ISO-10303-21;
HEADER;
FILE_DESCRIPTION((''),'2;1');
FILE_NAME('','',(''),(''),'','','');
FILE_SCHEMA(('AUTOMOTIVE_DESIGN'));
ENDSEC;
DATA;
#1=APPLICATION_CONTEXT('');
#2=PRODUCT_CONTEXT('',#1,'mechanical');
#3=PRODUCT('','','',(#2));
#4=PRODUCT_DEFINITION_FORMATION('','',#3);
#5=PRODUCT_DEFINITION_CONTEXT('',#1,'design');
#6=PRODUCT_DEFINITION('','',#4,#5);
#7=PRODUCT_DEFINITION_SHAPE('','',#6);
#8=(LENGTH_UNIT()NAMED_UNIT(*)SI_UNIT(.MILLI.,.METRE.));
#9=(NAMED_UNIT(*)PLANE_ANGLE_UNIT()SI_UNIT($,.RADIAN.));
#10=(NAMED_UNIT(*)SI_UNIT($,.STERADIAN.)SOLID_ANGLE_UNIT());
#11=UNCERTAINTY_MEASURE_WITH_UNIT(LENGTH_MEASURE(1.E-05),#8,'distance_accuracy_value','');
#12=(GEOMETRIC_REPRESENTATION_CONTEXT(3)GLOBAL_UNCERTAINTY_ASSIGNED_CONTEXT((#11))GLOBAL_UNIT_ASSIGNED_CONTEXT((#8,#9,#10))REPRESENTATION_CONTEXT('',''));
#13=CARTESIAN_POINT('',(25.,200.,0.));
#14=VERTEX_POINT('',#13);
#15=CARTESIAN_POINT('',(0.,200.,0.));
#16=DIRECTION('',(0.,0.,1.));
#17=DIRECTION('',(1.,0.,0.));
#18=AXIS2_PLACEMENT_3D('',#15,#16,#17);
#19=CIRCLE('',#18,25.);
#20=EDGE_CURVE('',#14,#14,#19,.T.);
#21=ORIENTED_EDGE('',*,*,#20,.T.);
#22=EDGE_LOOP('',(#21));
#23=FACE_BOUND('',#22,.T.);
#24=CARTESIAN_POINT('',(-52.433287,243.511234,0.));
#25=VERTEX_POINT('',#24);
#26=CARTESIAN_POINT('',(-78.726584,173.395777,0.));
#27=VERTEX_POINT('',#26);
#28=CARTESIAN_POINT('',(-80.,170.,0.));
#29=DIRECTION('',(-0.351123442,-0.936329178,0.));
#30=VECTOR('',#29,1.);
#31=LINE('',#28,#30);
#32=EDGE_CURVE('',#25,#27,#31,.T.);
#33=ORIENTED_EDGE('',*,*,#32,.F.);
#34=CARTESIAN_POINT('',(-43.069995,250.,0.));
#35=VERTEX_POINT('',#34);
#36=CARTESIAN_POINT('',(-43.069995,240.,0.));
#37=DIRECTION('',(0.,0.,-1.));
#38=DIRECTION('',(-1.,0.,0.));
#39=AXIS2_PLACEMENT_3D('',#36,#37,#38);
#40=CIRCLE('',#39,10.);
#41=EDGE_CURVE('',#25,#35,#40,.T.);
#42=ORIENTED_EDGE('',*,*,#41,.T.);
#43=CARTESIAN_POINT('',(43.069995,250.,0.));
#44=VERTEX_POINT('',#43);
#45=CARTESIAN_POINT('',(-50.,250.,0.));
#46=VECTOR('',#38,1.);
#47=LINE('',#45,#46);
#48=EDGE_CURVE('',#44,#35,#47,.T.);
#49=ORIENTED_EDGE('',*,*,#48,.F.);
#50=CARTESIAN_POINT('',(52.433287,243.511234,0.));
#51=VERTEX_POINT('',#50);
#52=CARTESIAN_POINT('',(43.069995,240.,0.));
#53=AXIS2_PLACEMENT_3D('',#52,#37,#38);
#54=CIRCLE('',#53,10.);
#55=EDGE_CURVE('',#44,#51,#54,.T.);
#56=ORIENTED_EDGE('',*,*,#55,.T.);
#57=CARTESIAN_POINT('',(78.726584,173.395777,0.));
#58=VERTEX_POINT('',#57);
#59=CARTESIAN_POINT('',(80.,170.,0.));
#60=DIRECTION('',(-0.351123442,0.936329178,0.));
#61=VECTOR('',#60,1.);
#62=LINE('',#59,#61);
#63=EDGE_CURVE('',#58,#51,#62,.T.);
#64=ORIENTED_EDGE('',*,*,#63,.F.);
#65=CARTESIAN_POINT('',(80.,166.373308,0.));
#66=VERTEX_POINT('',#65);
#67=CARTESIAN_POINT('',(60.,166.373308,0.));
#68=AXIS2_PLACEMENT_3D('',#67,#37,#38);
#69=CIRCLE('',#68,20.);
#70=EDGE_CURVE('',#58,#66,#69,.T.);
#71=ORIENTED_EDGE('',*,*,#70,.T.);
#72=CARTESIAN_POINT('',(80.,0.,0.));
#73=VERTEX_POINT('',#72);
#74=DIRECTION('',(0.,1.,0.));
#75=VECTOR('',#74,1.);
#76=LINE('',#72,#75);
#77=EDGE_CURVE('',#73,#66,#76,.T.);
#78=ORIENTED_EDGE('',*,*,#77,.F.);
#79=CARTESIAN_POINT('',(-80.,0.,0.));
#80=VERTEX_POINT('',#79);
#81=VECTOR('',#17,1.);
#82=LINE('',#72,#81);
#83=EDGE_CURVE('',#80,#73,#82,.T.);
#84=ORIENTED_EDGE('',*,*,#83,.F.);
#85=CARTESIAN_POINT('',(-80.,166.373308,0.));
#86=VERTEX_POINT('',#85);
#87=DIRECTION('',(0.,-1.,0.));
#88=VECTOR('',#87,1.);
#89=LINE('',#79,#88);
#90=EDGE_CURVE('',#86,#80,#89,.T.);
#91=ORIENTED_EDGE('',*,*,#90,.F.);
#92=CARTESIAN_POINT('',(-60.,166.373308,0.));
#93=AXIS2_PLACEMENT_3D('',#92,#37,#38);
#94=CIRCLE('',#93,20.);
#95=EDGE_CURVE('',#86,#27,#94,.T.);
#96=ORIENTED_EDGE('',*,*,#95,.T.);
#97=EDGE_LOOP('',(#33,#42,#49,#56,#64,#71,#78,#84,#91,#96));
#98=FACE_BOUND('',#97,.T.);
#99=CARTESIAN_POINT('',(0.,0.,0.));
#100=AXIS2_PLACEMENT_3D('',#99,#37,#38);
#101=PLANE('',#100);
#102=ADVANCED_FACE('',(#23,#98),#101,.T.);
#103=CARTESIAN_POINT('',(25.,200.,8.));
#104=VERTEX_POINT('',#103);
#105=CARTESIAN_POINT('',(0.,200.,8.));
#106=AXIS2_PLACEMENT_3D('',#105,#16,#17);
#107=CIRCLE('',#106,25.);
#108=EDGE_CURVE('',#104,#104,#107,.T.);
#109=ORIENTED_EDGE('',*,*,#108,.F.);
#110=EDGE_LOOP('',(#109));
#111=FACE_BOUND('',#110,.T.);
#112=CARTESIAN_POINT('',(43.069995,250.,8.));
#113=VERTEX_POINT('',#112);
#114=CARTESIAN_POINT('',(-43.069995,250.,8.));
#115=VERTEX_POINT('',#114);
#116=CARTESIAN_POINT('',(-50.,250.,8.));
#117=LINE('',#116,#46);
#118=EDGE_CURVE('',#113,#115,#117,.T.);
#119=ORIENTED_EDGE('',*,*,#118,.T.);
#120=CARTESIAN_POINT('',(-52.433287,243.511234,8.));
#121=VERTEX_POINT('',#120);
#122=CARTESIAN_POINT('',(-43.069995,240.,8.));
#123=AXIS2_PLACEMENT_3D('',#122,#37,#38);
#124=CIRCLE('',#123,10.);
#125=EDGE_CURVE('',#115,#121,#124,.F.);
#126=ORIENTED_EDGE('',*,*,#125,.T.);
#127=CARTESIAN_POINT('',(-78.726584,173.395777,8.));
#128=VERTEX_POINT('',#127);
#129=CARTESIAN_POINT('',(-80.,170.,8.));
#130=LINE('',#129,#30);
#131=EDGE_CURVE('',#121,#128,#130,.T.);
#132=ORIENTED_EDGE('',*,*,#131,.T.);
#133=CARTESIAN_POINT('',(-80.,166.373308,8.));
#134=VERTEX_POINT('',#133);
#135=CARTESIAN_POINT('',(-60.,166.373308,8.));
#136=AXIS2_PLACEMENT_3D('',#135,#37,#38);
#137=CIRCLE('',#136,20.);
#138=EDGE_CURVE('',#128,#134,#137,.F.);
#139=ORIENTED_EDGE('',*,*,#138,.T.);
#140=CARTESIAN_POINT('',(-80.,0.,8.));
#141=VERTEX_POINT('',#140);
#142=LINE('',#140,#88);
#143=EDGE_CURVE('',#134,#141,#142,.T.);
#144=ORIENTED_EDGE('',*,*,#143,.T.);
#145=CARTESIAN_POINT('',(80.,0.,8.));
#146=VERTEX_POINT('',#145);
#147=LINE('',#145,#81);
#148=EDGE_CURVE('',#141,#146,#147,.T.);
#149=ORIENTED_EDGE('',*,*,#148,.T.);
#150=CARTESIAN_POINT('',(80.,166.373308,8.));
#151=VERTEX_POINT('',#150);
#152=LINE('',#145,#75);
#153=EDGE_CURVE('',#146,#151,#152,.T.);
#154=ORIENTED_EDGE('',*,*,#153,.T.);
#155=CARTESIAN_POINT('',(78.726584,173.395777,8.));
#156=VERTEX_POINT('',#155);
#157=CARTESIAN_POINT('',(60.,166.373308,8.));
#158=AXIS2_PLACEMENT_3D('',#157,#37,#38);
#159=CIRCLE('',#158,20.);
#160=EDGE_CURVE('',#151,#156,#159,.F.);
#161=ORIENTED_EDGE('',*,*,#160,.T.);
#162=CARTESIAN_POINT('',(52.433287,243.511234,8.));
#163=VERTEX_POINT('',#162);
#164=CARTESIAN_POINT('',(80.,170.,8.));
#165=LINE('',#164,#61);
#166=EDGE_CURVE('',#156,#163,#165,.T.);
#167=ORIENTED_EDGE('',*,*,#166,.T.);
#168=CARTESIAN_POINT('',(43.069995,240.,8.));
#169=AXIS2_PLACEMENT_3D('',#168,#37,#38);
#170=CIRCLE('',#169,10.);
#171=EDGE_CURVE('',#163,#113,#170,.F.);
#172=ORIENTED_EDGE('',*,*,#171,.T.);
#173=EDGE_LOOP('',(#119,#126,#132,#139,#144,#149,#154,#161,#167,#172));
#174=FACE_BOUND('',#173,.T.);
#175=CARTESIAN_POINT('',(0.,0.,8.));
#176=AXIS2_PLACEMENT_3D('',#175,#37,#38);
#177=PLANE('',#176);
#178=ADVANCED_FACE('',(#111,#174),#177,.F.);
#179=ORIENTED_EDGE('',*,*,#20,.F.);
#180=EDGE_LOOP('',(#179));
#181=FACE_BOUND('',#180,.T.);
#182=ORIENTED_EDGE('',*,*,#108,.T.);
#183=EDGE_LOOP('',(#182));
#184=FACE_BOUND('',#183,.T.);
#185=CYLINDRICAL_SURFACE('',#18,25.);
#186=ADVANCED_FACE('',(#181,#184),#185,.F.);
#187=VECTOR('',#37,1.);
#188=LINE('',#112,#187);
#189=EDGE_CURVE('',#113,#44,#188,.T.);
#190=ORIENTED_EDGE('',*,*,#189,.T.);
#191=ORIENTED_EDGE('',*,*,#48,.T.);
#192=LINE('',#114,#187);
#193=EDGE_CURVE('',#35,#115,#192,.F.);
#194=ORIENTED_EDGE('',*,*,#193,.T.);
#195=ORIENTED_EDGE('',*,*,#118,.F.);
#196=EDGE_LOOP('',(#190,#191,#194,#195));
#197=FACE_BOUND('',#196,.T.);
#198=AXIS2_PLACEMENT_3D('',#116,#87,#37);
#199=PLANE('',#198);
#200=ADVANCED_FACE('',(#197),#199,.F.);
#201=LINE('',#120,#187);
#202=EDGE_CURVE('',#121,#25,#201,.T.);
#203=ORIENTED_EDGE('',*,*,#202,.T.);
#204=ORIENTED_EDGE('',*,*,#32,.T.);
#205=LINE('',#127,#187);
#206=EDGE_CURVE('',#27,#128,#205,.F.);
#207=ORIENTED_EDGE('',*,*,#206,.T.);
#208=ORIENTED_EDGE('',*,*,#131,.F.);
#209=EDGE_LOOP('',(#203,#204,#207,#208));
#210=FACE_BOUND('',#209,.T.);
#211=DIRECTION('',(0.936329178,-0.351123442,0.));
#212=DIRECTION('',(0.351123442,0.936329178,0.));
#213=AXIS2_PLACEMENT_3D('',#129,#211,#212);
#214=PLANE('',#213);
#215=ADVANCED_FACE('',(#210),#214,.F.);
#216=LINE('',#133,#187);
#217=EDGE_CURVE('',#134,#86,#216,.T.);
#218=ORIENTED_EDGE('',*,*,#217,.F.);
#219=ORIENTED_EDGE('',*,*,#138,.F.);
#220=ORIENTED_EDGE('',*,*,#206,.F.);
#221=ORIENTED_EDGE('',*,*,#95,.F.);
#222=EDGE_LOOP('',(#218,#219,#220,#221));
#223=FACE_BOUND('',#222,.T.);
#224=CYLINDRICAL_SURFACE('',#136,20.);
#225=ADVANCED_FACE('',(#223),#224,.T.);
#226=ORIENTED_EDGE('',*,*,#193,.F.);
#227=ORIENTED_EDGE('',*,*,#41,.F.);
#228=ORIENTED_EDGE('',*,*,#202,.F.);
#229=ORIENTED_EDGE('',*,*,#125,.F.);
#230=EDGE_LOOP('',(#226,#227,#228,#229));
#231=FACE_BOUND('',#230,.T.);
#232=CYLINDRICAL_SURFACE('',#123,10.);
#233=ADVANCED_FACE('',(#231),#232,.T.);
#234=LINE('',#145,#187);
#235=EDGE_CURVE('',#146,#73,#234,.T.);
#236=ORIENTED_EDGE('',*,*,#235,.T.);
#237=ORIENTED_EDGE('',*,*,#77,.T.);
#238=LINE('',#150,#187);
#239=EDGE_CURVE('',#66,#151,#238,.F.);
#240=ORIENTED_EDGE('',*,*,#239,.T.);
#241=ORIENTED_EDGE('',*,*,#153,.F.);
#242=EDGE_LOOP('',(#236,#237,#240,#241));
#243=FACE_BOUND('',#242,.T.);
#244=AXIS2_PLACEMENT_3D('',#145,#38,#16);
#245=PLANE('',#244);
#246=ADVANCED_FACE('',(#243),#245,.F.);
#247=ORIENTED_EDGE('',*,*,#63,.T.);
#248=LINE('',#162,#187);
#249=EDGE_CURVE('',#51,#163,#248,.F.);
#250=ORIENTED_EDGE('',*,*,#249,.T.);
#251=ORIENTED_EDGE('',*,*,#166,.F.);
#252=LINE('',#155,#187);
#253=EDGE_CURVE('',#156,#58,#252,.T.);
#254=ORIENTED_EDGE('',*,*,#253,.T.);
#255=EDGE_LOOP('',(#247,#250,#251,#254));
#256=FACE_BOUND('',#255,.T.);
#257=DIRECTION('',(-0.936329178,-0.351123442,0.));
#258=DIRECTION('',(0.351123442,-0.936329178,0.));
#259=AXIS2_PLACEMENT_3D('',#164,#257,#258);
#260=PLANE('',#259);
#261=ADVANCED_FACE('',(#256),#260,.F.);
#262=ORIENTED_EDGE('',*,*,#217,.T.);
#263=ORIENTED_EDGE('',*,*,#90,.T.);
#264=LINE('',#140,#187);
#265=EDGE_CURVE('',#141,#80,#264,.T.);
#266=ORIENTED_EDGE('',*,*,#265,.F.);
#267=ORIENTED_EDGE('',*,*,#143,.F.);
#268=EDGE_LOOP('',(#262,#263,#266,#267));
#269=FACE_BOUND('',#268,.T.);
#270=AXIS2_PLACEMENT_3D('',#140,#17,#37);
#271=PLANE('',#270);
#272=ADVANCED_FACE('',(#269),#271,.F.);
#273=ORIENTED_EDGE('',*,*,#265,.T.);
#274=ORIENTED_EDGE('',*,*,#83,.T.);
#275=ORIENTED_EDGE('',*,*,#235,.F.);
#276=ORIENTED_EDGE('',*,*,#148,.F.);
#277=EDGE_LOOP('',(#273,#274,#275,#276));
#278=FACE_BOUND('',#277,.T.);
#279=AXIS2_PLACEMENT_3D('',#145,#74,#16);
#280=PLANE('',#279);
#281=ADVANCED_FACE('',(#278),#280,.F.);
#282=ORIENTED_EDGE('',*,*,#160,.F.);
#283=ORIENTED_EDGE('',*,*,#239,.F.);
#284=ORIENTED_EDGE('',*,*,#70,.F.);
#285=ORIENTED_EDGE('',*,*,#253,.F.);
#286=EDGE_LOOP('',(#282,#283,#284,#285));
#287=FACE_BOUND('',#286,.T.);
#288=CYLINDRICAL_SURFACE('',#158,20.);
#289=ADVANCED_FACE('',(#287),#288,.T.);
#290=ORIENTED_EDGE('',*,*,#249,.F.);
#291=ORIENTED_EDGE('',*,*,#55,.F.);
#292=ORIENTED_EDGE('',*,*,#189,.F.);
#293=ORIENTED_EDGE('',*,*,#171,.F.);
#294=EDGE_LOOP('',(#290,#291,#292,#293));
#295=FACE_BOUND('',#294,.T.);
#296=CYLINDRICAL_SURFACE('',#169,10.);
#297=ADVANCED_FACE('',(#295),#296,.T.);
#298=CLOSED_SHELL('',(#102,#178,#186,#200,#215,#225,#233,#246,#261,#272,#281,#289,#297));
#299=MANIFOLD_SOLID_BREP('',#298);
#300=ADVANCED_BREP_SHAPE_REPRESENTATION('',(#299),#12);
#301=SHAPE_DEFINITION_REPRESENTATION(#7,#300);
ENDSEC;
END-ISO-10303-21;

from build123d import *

# Parameters (mm, degrees)
BOSS_EXTRUDE1_DEPTH = 8
SKETCH4_R           = 25
CUT_EXTRUDE1_DEPTH  = 8
FILLET2_R           = 20
FILLET4_R           = 20
FILLET5_R           = 10


with BuildPart() as part:
    # Sketch2 → Boss-Extrude1 (new body)
    with BuildSketch(Plane.XY):
        Polygon((-80, 0), (-80, 170), (-50, 250), (50, 250), (80, 170), (80, 0), align=None)
    extrude(amount=BOSS_EXTRUDE1_DEPTH)

    # Sketch4 → Cut-Extrude1 (cut)
    with BuildSketch(Plane.XY.offset(8)):
        with Locations((0, 200)):
            Circle(SKETCH4_R)
    extrude(amount=-CUT_EXTRUDE1_DEPTH, mode=Mode.SUBTRACT)

    # Fillet2
    fillet2_edges = [part.edges().sort_by_distance(p)[0] for p in [
        (-80, 170, 4),
    ]]
    fillet(fillet2_edges, radius=FILLET2_R)

    # Fillet4
    fillet4_edges = [part.edges().sort_by_distance(p)[0] for p in [
        (80, 170, 4),
    ]]
    fillet(fillet4_edges, radius=FILLET4_R)

    # Fillet5
    fillet5_edges = [part.edges().sort_by_distance(p)[0] for p in [
        (-50, 250, 4),
        (50, 250, 4),
    ]]
    fillet(fillet5_edges, radius=FILLET5_R)


solid = part.part
